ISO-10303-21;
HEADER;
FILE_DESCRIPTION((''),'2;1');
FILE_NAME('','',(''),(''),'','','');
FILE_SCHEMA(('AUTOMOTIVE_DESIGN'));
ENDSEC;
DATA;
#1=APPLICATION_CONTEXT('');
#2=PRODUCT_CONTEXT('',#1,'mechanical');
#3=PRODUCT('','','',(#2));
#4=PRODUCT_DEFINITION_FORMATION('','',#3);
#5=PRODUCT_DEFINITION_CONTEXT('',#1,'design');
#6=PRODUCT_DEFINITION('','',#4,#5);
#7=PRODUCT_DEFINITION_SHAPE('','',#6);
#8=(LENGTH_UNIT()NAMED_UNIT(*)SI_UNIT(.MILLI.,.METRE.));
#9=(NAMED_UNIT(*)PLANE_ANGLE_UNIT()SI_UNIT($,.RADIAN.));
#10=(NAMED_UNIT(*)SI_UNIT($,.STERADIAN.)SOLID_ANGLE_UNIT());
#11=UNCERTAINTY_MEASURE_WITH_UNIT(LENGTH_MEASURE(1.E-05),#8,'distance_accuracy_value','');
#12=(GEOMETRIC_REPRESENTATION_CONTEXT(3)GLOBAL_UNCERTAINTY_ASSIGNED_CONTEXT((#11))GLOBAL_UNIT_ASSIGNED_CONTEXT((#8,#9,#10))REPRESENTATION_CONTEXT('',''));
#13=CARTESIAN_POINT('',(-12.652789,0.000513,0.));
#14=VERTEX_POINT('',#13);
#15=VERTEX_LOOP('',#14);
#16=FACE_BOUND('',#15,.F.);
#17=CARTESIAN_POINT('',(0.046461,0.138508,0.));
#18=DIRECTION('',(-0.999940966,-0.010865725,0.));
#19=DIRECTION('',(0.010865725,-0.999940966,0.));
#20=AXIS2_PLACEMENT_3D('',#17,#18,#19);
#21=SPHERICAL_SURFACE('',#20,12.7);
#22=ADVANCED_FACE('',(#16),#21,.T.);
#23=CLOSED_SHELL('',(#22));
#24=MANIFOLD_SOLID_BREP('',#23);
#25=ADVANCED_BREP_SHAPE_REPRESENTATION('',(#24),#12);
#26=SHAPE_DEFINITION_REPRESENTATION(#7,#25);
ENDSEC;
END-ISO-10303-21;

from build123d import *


with BuildPart() as part:
    # Sketch1 → Revolve1 (revolve)
    with BuildSketch(Plane.XY):
        with BuildLine():
            Line((-12.652788897, 0.000513013), (12.745711647, 0.276502427))
            ThreePointArc((12.745711647, 0.276502427), (0.184456082, -12.560742551), (-12.652788897, 0.000513013))
        make_face()
    revolve(axis=Axis((-12.652788897, 0.000513013, 0), (0.999940966, 0.010865725, 0)))


solid = part.part
